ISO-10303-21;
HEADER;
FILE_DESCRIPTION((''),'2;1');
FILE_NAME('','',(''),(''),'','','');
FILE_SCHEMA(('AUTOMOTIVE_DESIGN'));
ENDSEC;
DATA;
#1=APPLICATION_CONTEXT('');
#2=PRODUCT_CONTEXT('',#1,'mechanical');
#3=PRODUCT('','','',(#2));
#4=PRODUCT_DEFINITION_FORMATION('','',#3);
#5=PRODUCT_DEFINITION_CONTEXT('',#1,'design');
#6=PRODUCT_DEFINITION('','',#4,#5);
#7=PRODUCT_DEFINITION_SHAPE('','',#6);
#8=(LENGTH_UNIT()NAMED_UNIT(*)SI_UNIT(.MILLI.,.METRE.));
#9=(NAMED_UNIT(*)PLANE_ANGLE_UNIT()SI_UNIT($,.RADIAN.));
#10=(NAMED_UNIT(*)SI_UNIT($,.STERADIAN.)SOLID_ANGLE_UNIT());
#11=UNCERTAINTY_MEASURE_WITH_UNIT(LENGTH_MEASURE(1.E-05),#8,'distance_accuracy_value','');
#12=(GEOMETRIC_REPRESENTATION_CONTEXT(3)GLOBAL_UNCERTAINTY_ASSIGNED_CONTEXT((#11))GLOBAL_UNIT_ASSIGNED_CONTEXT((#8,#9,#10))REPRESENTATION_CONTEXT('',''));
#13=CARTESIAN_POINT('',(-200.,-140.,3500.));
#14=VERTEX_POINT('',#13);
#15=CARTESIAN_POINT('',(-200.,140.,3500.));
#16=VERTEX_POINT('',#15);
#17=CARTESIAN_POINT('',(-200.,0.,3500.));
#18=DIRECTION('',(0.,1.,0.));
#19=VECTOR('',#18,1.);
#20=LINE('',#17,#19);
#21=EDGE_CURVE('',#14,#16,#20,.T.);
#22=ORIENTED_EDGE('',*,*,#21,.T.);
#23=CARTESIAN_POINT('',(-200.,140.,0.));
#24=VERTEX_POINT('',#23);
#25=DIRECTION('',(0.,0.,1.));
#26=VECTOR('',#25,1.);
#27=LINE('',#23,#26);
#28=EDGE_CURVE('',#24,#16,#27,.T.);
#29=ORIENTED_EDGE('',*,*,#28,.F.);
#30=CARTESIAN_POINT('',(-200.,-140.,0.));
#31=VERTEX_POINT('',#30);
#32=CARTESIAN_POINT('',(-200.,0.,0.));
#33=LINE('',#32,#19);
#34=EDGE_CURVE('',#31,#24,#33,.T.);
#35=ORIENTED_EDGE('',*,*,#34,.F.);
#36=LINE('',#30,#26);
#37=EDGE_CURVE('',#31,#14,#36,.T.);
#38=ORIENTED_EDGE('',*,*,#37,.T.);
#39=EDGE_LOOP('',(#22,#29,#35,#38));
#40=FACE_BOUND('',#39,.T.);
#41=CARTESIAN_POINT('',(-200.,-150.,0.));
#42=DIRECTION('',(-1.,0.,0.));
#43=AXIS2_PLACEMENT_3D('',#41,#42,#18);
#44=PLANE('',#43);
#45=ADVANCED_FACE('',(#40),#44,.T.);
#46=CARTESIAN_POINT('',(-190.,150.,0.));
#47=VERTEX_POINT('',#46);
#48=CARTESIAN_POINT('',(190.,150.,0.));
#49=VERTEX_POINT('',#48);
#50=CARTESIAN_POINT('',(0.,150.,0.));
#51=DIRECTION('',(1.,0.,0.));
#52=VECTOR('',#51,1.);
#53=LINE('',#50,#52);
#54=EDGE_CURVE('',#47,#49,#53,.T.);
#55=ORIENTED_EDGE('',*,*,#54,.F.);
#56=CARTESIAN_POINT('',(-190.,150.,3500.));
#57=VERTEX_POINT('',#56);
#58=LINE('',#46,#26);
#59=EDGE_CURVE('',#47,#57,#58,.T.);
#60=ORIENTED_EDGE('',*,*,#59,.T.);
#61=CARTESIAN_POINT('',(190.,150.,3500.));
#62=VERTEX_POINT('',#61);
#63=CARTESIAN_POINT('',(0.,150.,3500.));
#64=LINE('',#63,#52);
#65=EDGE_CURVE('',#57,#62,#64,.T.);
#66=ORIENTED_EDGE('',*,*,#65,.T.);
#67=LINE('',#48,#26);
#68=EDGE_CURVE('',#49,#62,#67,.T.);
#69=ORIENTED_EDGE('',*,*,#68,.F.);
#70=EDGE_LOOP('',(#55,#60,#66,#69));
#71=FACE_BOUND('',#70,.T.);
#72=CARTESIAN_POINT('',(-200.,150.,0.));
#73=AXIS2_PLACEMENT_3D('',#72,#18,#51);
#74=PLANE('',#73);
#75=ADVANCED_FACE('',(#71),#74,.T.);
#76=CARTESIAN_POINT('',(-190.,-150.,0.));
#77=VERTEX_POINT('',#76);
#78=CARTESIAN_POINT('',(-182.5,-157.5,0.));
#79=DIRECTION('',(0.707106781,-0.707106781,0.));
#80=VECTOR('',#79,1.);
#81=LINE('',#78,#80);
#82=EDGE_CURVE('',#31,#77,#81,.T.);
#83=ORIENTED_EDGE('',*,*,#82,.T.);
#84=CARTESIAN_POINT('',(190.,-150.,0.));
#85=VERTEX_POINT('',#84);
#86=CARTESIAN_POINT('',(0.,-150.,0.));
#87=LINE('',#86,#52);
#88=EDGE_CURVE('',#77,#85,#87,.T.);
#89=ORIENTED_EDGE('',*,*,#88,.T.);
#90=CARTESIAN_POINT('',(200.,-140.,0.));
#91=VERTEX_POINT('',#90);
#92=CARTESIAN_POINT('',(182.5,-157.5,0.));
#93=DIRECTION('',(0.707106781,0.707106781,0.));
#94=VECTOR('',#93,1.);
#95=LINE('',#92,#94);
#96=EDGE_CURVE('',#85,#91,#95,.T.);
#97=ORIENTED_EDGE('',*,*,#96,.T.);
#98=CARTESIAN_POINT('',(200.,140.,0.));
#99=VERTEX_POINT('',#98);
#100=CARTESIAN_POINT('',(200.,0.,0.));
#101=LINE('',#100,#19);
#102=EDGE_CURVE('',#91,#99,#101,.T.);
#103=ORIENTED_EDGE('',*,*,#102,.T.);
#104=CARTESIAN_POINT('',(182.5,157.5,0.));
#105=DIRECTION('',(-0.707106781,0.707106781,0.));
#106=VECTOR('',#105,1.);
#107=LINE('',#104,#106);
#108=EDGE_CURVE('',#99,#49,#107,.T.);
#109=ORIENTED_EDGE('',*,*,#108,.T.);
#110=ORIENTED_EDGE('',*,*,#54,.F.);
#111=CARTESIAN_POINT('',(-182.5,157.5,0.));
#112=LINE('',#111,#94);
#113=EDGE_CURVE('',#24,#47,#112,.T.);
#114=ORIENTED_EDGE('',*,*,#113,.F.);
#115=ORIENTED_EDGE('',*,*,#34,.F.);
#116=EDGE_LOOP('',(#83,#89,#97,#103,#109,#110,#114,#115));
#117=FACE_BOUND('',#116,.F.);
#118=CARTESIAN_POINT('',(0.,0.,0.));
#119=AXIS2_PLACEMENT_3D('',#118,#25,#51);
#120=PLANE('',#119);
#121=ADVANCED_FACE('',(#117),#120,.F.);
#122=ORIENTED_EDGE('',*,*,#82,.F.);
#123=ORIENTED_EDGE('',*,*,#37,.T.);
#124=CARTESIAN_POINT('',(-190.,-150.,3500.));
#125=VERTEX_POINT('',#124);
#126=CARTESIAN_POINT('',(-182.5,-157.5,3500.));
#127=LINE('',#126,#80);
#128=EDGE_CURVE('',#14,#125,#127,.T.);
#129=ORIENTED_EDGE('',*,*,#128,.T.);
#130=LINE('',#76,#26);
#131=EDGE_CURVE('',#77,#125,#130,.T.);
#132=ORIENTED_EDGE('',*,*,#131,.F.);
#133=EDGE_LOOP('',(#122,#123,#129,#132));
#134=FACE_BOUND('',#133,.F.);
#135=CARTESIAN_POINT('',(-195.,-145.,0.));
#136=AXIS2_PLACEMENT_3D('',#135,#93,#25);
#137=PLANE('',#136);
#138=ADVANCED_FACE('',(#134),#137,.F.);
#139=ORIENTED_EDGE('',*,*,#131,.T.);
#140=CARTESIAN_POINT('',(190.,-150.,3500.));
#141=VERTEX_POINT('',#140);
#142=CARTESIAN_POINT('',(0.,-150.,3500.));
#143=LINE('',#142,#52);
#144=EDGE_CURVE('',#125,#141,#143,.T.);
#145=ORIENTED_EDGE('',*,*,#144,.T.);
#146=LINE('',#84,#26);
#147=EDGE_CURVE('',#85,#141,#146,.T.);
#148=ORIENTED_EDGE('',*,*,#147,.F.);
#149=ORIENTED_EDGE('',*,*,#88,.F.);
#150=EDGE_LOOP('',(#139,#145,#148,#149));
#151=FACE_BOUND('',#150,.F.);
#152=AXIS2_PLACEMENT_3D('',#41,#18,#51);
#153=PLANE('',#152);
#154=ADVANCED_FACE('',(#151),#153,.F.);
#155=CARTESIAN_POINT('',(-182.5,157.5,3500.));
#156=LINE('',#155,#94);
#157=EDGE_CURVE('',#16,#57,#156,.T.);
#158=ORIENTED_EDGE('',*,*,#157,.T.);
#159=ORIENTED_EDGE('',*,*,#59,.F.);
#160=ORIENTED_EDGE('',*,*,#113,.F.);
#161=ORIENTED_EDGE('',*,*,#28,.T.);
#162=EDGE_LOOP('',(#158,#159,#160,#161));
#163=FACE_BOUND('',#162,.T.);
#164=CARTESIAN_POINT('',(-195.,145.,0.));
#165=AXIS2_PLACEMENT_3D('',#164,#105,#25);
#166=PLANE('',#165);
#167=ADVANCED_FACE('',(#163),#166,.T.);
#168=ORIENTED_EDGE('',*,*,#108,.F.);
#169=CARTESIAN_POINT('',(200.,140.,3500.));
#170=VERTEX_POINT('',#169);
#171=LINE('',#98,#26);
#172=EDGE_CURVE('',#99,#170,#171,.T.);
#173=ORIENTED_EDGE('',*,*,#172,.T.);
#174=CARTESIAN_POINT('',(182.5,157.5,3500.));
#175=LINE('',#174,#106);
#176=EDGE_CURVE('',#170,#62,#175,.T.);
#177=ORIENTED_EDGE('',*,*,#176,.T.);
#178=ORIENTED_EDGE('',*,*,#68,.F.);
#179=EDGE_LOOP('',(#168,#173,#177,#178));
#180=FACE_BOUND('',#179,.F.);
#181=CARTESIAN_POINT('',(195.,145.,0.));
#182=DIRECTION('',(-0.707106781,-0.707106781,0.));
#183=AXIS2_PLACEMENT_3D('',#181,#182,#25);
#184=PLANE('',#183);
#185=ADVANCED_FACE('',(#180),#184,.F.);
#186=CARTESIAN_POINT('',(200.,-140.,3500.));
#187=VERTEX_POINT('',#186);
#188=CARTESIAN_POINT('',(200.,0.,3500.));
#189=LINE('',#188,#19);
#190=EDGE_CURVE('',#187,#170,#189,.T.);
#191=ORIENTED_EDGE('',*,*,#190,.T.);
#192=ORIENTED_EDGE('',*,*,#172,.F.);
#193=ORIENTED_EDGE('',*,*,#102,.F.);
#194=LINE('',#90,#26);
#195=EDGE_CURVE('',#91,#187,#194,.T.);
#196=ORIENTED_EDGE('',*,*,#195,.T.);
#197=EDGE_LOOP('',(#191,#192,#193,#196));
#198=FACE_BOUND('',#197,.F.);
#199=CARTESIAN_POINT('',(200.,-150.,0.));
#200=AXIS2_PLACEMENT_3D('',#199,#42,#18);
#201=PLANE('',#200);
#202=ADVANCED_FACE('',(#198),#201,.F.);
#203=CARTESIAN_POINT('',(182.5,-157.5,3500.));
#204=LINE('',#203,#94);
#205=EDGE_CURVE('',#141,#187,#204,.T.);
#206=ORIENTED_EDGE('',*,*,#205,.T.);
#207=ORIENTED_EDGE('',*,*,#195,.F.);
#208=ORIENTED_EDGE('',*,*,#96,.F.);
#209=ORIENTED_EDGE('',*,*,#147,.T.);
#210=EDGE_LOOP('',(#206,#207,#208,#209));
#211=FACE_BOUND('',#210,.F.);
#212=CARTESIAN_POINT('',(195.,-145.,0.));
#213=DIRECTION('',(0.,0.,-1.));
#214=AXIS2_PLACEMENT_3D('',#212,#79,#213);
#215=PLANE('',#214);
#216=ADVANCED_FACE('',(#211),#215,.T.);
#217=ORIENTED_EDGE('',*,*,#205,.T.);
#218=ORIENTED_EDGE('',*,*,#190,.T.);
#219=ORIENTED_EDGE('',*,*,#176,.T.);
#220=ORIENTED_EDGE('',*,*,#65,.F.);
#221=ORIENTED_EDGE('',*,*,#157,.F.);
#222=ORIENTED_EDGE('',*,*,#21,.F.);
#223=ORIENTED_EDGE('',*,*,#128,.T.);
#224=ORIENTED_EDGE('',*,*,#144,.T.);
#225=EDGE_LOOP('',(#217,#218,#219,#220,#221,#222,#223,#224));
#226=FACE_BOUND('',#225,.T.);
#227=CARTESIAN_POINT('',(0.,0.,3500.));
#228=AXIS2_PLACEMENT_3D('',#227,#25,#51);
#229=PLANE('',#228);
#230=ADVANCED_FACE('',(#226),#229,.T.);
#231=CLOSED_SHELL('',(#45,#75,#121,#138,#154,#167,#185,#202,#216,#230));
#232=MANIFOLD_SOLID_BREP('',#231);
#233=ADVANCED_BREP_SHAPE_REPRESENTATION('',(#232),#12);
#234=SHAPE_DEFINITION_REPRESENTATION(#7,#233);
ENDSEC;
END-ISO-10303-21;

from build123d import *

# Parameters (mm, degrees)
F0_W     = 400
F0_H     = 300
F1_DEPTH = 3500
F2_SIZE  = 10


with BuildPart() as f1:
    # F0 (on Top) → F1 (new body)
    with BuildSketch(Plane.XY):
        Rectangle(F0_W, F0_H)
    extrude(amount=F1_DEPTH)

    # F2
    f2_edges = [f1.edges().sort_by_distance(p)[0] for p in [
        (200, -150, 1750),
        (-200, -150, 1750),
        (200, 150, 1750),
        (-200, 150, 1750),
    ]]
    chamfer(f2_edges, length=F2_SIZE)


solid = f1.part
